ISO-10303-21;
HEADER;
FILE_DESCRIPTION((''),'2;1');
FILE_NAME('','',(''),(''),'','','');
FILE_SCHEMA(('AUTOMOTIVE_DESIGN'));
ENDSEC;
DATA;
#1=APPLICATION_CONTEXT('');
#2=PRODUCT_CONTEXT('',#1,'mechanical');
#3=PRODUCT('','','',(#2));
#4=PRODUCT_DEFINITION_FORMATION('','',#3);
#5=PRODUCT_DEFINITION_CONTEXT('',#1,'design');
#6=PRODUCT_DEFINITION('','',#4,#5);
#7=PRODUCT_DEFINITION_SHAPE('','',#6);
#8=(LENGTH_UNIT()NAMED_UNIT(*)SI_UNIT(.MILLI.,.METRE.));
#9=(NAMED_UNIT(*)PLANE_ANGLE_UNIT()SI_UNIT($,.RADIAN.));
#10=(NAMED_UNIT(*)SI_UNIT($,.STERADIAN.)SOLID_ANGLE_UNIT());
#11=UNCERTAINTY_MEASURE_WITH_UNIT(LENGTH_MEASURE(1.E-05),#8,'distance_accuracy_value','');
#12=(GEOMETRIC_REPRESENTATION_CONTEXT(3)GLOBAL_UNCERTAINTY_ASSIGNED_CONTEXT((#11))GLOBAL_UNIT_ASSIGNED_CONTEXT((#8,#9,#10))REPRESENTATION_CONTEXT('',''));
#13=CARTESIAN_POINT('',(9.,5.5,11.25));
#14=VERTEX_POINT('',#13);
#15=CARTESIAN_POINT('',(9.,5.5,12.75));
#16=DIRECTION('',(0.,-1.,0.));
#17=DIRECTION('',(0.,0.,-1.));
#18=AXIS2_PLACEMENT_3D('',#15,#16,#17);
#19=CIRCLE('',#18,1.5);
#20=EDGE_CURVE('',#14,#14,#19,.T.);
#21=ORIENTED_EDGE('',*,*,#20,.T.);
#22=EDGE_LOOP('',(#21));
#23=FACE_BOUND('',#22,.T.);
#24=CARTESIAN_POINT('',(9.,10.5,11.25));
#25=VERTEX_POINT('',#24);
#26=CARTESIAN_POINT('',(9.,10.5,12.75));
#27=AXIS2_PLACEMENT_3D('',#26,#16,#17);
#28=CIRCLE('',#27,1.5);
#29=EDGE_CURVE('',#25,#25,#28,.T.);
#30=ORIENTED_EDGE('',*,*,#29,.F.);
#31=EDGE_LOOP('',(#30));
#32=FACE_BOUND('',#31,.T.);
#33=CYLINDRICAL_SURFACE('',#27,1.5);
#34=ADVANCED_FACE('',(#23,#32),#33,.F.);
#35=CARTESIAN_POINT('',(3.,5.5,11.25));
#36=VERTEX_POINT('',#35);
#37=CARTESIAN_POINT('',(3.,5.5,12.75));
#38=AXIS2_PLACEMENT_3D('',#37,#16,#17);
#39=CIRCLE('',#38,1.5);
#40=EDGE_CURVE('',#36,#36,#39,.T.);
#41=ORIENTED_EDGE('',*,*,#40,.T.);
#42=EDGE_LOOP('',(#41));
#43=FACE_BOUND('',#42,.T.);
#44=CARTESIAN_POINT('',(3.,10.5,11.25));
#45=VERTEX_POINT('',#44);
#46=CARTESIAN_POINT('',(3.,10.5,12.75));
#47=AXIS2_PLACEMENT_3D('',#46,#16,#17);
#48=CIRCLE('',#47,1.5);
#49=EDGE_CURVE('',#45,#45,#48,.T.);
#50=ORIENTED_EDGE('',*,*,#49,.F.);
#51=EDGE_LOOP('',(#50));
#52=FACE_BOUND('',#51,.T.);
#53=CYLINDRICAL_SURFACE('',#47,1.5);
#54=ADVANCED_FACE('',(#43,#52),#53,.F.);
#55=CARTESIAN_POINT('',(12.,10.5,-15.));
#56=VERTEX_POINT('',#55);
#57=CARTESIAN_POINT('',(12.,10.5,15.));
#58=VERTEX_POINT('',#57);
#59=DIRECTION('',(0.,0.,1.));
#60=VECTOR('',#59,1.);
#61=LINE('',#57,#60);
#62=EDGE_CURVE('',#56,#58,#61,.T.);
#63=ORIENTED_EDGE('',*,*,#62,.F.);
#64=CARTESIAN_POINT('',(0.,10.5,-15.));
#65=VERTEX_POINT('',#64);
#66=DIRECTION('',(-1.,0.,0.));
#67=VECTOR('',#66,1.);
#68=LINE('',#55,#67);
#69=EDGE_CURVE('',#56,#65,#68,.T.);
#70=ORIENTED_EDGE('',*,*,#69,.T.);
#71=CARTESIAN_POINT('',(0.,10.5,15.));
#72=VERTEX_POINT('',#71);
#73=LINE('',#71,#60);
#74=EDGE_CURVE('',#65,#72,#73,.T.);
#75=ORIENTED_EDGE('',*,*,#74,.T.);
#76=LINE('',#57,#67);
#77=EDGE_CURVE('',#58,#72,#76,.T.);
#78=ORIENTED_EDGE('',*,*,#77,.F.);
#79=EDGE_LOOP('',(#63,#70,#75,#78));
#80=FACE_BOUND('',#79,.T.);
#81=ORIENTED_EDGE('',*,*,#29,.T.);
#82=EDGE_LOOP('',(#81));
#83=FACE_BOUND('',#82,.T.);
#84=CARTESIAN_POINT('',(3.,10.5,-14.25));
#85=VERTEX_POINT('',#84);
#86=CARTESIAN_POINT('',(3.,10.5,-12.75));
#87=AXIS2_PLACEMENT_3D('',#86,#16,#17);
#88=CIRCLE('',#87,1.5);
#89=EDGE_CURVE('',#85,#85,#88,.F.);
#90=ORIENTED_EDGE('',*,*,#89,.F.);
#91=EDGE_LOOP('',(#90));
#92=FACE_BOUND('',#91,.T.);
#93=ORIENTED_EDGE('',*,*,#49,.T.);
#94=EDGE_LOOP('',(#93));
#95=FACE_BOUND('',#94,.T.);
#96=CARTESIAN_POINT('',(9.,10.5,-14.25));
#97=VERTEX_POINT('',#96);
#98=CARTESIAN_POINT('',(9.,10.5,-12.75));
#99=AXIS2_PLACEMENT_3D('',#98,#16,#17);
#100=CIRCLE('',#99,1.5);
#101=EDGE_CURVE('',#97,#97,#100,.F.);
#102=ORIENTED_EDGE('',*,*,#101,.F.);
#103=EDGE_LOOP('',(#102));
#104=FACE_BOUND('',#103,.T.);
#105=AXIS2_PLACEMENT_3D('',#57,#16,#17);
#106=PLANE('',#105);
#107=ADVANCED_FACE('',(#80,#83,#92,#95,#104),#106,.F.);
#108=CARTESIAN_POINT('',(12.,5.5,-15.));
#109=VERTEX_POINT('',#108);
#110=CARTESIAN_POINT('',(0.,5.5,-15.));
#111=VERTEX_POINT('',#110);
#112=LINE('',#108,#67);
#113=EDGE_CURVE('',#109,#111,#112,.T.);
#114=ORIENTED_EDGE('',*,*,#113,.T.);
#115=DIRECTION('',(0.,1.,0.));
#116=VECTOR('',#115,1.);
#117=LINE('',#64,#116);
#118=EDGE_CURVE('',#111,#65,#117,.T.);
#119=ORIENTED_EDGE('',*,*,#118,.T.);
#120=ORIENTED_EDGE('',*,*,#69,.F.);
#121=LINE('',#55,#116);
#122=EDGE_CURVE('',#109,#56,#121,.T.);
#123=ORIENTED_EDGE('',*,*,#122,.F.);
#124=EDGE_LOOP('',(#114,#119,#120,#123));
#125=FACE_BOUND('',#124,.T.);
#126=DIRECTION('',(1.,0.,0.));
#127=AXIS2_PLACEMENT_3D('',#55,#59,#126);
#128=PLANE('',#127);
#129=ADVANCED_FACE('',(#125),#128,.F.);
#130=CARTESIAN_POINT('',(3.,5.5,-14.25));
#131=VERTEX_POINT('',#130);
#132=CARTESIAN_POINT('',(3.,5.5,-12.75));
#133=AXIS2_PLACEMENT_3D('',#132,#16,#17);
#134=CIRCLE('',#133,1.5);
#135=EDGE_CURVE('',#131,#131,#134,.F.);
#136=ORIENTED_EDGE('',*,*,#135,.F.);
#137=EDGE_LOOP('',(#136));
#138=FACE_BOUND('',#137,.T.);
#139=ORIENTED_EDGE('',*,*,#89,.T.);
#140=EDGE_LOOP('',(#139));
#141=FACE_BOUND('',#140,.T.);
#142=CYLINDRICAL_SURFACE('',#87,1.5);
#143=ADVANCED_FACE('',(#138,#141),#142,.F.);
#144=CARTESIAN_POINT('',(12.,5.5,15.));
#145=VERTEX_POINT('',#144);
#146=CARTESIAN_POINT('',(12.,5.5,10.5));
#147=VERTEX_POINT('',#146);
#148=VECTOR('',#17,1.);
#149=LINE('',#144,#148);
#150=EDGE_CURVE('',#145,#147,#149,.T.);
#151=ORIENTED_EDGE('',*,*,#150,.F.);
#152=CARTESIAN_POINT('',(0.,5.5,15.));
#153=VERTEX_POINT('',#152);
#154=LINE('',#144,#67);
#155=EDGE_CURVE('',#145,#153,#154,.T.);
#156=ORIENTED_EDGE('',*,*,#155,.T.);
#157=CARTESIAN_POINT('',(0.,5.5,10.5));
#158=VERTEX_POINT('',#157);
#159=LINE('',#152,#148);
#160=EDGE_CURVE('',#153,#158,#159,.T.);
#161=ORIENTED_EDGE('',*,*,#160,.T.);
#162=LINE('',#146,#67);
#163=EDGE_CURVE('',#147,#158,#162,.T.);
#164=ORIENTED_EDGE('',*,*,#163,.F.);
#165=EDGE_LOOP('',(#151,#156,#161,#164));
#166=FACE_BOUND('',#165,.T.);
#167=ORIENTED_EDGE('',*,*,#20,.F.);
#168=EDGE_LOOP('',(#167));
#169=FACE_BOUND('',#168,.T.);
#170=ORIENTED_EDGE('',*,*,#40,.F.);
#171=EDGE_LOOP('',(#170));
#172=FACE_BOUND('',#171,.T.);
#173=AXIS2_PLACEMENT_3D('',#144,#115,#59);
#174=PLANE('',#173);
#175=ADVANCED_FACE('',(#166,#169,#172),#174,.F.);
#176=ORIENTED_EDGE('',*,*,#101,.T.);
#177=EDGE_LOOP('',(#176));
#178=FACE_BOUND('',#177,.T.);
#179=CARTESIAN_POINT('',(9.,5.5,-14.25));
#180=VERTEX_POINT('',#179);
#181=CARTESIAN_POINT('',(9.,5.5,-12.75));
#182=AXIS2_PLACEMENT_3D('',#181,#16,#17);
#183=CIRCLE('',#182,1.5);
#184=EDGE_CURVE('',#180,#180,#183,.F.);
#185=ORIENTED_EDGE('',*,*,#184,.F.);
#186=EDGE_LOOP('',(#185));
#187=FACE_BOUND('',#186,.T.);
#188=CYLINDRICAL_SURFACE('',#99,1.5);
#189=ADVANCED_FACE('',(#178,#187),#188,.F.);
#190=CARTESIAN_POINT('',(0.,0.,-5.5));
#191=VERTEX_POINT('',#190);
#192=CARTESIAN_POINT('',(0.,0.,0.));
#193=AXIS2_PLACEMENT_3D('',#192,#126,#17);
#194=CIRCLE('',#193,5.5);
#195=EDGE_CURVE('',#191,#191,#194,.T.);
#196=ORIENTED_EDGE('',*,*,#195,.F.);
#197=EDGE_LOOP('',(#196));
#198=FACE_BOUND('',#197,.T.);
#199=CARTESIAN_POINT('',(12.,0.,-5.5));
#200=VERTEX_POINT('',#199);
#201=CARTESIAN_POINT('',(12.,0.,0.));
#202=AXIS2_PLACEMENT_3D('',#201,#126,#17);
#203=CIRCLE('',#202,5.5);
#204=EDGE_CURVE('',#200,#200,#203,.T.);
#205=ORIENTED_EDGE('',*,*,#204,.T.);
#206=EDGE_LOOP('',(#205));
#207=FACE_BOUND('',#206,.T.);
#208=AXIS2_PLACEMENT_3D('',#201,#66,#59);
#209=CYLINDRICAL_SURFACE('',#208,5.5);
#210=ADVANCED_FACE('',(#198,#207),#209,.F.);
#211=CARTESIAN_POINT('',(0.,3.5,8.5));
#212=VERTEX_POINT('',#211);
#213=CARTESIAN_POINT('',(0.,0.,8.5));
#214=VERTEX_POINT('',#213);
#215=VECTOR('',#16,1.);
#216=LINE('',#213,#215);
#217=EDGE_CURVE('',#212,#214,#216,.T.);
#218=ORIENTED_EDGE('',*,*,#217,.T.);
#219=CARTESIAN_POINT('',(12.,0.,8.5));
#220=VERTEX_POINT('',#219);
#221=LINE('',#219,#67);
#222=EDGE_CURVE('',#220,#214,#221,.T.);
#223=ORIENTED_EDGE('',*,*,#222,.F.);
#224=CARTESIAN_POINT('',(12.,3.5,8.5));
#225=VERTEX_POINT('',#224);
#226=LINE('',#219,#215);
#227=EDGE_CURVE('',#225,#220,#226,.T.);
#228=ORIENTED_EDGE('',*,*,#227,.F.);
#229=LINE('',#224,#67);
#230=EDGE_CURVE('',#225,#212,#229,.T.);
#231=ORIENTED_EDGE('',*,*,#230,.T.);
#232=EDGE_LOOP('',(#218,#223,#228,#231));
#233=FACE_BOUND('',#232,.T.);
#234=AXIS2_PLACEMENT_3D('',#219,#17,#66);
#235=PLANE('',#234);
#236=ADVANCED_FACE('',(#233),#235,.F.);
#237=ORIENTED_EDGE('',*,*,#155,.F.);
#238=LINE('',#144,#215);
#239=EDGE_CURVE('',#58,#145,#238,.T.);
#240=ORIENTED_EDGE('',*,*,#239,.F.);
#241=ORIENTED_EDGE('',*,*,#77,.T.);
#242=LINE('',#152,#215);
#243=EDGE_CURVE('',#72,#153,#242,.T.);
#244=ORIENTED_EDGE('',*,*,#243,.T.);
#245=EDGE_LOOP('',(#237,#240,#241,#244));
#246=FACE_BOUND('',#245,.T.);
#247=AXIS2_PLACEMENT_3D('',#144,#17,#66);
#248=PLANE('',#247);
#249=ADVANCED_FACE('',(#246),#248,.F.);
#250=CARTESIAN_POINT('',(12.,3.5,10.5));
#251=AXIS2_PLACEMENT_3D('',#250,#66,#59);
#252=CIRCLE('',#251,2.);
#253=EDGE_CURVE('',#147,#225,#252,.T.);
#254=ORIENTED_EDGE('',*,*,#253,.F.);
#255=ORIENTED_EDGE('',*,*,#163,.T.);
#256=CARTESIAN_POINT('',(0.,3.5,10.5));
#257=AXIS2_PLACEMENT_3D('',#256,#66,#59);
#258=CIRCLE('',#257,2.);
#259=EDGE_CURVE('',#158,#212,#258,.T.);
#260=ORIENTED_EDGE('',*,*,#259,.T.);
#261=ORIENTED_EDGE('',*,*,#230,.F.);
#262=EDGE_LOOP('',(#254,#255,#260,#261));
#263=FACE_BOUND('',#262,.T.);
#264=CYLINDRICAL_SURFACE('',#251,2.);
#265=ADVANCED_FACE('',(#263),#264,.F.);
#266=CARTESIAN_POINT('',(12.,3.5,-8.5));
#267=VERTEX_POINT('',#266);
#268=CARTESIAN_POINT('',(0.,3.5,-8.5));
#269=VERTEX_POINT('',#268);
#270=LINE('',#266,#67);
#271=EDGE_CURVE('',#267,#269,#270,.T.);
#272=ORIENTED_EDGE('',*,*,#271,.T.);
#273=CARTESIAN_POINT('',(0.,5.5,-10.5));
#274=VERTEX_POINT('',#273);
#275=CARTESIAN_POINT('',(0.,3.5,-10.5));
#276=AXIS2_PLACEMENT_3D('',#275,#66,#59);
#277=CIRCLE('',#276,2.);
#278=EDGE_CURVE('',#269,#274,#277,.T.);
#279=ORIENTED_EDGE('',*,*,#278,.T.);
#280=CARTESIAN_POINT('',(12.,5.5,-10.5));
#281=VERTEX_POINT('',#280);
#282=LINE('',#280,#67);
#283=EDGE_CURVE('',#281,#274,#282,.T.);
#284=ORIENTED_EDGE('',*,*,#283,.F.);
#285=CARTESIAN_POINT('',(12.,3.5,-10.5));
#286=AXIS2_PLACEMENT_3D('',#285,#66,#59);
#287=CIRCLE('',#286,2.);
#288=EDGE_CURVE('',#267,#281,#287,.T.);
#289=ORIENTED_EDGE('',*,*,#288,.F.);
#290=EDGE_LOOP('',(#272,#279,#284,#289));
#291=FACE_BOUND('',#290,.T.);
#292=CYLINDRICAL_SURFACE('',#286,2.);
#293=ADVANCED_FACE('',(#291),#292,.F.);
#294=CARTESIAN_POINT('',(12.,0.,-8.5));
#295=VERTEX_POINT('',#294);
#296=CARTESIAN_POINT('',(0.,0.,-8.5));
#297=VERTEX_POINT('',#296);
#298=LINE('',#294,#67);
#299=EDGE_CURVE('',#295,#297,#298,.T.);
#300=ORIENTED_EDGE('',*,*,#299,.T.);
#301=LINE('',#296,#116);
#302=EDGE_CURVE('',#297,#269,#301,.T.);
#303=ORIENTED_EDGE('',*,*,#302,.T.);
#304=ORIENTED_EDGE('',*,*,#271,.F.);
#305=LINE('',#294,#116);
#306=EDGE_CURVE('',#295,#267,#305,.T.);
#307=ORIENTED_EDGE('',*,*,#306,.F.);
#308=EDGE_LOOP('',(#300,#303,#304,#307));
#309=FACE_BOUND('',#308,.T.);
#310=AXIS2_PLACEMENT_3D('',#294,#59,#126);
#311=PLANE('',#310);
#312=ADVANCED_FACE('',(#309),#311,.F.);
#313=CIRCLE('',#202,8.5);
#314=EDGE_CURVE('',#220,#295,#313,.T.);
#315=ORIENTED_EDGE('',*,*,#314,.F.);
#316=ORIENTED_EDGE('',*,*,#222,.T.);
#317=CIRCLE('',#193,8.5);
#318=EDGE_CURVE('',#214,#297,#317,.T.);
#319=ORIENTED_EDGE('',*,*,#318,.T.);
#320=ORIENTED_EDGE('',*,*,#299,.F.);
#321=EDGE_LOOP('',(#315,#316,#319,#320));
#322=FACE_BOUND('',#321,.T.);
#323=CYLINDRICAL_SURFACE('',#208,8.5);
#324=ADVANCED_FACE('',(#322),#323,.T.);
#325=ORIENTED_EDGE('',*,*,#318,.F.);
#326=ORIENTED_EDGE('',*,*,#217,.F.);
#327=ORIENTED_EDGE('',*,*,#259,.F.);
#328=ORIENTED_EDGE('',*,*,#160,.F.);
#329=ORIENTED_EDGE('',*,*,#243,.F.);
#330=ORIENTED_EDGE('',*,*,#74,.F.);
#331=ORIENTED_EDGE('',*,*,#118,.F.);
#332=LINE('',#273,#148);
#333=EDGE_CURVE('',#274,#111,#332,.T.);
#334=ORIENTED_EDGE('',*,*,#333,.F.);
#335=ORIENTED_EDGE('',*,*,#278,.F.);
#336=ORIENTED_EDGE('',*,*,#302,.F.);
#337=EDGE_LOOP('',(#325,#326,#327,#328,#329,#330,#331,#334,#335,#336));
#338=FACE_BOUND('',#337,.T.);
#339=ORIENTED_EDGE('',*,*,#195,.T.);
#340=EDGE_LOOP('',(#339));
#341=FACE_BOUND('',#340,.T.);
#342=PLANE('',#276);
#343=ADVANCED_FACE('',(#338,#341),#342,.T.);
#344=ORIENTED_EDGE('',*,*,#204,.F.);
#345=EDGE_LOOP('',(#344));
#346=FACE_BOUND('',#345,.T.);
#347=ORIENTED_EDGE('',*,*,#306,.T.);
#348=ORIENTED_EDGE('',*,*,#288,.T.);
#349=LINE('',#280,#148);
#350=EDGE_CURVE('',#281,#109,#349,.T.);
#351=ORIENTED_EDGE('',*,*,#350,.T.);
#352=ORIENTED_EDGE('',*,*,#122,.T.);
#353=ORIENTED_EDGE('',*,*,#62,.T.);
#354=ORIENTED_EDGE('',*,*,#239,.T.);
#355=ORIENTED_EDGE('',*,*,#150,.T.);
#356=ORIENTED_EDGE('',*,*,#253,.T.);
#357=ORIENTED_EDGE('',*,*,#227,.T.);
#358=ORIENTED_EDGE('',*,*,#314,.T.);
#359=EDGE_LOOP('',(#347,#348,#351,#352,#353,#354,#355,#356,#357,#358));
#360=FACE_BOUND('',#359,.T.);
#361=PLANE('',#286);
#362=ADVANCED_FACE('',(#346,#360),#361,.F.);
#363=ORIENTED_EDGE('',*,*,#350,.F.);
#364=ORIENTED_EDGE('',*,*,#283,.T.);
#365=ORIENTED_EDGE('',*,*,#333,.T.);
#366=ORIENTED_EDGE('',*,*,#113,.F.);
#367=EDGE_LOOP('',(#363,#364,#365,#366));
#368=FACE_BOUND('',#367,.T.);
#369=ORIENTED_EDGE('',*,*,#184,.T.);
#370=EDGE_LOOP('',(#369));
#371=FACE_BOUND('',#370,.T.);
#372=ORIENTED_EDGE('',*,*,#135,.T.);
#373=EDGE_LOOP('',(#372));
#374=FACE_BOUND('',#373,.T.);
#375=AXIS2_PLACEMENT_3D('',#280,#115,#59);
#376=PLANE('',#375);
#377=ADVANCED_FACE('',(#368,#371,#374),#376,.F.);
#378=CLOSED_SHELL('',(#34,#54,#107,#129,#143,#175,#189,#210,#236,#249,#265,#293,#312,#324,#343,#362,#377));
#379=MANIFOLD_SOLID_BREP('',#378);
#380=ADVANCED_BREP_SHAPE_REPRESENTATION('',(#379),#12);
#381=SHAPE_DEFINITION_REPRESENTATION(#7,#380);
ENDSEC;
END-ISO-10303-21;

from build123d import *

# Parameters (mm, degrees)
SKETCH_2_R          = 5.5
EXTRUDE_1_DEPTH     = 12
SKETCH_5_R          = 1.5
CUT_EXTRUDE_1_DEPTH = 5


with BuildPart() as part:
    # 草图2 → 凸台-拉伸1 (new body)
    with BuildSketch(Plane(origin=(0, 0, 0), x_dir=(0, 0, -1), z_dir=(1, 0, 0))):
        with BuildLine():
            Line((-15, 5.5), (-15, 10.5))
            Line((-15, 10.5), (15, 10.5))
            Line((15, 10.5), (15, 5.5))
            Line((15, 5.5), (10.5, 5.5))
            ThreePointArc((10.5, 5.5), (9.085786438, 4.914213562), (8.5, 3.5))
            Line((8.5, 3.5), (8.5, 0))
            ThreePointArc((8.5, 0), (0, -8.5), (-8.5, 0))
            Line((-8.5, 0), (-8.5, 3.5))
            ThreePointArc((-8.5, 3.5), (-9.085786438, 4.914213562), (-10.5, 5.5))
            Line((-10.5, 5.5), (-15, 5.5))
        make_face()
        Circle(SKETCH_2_R, mode=Mode.SUBTRACT)
    extrude(amount=EXTRUDE_1_DEPTH)

    # 草图5 → 切除-拉伸1 (cut)
    with BuildSketch(Plane.XZ.offset(-5.5)):
        with Locations(Location((3, 12.75, 0), (0, 0, 270))):
            Circle(SKETCH_5_R)
        with Locations(Location((9, 12.75, 0), (0, 0, 270))):
            Circle(SKETCH_5_R)
        with Locations(Location((9, -12.75, 0), (0, 0, 270))):
            Circle(SKETCH_5_R)
        with Locations(Location((3, -12.75, 0), (0, 0, 270))):
            Circle(SKETCH_5_R)
    extrude(amount=-CUT_EXTRUDE_1_DEPTH, mode=Mode.SUBTRACT)


solid = part.part
